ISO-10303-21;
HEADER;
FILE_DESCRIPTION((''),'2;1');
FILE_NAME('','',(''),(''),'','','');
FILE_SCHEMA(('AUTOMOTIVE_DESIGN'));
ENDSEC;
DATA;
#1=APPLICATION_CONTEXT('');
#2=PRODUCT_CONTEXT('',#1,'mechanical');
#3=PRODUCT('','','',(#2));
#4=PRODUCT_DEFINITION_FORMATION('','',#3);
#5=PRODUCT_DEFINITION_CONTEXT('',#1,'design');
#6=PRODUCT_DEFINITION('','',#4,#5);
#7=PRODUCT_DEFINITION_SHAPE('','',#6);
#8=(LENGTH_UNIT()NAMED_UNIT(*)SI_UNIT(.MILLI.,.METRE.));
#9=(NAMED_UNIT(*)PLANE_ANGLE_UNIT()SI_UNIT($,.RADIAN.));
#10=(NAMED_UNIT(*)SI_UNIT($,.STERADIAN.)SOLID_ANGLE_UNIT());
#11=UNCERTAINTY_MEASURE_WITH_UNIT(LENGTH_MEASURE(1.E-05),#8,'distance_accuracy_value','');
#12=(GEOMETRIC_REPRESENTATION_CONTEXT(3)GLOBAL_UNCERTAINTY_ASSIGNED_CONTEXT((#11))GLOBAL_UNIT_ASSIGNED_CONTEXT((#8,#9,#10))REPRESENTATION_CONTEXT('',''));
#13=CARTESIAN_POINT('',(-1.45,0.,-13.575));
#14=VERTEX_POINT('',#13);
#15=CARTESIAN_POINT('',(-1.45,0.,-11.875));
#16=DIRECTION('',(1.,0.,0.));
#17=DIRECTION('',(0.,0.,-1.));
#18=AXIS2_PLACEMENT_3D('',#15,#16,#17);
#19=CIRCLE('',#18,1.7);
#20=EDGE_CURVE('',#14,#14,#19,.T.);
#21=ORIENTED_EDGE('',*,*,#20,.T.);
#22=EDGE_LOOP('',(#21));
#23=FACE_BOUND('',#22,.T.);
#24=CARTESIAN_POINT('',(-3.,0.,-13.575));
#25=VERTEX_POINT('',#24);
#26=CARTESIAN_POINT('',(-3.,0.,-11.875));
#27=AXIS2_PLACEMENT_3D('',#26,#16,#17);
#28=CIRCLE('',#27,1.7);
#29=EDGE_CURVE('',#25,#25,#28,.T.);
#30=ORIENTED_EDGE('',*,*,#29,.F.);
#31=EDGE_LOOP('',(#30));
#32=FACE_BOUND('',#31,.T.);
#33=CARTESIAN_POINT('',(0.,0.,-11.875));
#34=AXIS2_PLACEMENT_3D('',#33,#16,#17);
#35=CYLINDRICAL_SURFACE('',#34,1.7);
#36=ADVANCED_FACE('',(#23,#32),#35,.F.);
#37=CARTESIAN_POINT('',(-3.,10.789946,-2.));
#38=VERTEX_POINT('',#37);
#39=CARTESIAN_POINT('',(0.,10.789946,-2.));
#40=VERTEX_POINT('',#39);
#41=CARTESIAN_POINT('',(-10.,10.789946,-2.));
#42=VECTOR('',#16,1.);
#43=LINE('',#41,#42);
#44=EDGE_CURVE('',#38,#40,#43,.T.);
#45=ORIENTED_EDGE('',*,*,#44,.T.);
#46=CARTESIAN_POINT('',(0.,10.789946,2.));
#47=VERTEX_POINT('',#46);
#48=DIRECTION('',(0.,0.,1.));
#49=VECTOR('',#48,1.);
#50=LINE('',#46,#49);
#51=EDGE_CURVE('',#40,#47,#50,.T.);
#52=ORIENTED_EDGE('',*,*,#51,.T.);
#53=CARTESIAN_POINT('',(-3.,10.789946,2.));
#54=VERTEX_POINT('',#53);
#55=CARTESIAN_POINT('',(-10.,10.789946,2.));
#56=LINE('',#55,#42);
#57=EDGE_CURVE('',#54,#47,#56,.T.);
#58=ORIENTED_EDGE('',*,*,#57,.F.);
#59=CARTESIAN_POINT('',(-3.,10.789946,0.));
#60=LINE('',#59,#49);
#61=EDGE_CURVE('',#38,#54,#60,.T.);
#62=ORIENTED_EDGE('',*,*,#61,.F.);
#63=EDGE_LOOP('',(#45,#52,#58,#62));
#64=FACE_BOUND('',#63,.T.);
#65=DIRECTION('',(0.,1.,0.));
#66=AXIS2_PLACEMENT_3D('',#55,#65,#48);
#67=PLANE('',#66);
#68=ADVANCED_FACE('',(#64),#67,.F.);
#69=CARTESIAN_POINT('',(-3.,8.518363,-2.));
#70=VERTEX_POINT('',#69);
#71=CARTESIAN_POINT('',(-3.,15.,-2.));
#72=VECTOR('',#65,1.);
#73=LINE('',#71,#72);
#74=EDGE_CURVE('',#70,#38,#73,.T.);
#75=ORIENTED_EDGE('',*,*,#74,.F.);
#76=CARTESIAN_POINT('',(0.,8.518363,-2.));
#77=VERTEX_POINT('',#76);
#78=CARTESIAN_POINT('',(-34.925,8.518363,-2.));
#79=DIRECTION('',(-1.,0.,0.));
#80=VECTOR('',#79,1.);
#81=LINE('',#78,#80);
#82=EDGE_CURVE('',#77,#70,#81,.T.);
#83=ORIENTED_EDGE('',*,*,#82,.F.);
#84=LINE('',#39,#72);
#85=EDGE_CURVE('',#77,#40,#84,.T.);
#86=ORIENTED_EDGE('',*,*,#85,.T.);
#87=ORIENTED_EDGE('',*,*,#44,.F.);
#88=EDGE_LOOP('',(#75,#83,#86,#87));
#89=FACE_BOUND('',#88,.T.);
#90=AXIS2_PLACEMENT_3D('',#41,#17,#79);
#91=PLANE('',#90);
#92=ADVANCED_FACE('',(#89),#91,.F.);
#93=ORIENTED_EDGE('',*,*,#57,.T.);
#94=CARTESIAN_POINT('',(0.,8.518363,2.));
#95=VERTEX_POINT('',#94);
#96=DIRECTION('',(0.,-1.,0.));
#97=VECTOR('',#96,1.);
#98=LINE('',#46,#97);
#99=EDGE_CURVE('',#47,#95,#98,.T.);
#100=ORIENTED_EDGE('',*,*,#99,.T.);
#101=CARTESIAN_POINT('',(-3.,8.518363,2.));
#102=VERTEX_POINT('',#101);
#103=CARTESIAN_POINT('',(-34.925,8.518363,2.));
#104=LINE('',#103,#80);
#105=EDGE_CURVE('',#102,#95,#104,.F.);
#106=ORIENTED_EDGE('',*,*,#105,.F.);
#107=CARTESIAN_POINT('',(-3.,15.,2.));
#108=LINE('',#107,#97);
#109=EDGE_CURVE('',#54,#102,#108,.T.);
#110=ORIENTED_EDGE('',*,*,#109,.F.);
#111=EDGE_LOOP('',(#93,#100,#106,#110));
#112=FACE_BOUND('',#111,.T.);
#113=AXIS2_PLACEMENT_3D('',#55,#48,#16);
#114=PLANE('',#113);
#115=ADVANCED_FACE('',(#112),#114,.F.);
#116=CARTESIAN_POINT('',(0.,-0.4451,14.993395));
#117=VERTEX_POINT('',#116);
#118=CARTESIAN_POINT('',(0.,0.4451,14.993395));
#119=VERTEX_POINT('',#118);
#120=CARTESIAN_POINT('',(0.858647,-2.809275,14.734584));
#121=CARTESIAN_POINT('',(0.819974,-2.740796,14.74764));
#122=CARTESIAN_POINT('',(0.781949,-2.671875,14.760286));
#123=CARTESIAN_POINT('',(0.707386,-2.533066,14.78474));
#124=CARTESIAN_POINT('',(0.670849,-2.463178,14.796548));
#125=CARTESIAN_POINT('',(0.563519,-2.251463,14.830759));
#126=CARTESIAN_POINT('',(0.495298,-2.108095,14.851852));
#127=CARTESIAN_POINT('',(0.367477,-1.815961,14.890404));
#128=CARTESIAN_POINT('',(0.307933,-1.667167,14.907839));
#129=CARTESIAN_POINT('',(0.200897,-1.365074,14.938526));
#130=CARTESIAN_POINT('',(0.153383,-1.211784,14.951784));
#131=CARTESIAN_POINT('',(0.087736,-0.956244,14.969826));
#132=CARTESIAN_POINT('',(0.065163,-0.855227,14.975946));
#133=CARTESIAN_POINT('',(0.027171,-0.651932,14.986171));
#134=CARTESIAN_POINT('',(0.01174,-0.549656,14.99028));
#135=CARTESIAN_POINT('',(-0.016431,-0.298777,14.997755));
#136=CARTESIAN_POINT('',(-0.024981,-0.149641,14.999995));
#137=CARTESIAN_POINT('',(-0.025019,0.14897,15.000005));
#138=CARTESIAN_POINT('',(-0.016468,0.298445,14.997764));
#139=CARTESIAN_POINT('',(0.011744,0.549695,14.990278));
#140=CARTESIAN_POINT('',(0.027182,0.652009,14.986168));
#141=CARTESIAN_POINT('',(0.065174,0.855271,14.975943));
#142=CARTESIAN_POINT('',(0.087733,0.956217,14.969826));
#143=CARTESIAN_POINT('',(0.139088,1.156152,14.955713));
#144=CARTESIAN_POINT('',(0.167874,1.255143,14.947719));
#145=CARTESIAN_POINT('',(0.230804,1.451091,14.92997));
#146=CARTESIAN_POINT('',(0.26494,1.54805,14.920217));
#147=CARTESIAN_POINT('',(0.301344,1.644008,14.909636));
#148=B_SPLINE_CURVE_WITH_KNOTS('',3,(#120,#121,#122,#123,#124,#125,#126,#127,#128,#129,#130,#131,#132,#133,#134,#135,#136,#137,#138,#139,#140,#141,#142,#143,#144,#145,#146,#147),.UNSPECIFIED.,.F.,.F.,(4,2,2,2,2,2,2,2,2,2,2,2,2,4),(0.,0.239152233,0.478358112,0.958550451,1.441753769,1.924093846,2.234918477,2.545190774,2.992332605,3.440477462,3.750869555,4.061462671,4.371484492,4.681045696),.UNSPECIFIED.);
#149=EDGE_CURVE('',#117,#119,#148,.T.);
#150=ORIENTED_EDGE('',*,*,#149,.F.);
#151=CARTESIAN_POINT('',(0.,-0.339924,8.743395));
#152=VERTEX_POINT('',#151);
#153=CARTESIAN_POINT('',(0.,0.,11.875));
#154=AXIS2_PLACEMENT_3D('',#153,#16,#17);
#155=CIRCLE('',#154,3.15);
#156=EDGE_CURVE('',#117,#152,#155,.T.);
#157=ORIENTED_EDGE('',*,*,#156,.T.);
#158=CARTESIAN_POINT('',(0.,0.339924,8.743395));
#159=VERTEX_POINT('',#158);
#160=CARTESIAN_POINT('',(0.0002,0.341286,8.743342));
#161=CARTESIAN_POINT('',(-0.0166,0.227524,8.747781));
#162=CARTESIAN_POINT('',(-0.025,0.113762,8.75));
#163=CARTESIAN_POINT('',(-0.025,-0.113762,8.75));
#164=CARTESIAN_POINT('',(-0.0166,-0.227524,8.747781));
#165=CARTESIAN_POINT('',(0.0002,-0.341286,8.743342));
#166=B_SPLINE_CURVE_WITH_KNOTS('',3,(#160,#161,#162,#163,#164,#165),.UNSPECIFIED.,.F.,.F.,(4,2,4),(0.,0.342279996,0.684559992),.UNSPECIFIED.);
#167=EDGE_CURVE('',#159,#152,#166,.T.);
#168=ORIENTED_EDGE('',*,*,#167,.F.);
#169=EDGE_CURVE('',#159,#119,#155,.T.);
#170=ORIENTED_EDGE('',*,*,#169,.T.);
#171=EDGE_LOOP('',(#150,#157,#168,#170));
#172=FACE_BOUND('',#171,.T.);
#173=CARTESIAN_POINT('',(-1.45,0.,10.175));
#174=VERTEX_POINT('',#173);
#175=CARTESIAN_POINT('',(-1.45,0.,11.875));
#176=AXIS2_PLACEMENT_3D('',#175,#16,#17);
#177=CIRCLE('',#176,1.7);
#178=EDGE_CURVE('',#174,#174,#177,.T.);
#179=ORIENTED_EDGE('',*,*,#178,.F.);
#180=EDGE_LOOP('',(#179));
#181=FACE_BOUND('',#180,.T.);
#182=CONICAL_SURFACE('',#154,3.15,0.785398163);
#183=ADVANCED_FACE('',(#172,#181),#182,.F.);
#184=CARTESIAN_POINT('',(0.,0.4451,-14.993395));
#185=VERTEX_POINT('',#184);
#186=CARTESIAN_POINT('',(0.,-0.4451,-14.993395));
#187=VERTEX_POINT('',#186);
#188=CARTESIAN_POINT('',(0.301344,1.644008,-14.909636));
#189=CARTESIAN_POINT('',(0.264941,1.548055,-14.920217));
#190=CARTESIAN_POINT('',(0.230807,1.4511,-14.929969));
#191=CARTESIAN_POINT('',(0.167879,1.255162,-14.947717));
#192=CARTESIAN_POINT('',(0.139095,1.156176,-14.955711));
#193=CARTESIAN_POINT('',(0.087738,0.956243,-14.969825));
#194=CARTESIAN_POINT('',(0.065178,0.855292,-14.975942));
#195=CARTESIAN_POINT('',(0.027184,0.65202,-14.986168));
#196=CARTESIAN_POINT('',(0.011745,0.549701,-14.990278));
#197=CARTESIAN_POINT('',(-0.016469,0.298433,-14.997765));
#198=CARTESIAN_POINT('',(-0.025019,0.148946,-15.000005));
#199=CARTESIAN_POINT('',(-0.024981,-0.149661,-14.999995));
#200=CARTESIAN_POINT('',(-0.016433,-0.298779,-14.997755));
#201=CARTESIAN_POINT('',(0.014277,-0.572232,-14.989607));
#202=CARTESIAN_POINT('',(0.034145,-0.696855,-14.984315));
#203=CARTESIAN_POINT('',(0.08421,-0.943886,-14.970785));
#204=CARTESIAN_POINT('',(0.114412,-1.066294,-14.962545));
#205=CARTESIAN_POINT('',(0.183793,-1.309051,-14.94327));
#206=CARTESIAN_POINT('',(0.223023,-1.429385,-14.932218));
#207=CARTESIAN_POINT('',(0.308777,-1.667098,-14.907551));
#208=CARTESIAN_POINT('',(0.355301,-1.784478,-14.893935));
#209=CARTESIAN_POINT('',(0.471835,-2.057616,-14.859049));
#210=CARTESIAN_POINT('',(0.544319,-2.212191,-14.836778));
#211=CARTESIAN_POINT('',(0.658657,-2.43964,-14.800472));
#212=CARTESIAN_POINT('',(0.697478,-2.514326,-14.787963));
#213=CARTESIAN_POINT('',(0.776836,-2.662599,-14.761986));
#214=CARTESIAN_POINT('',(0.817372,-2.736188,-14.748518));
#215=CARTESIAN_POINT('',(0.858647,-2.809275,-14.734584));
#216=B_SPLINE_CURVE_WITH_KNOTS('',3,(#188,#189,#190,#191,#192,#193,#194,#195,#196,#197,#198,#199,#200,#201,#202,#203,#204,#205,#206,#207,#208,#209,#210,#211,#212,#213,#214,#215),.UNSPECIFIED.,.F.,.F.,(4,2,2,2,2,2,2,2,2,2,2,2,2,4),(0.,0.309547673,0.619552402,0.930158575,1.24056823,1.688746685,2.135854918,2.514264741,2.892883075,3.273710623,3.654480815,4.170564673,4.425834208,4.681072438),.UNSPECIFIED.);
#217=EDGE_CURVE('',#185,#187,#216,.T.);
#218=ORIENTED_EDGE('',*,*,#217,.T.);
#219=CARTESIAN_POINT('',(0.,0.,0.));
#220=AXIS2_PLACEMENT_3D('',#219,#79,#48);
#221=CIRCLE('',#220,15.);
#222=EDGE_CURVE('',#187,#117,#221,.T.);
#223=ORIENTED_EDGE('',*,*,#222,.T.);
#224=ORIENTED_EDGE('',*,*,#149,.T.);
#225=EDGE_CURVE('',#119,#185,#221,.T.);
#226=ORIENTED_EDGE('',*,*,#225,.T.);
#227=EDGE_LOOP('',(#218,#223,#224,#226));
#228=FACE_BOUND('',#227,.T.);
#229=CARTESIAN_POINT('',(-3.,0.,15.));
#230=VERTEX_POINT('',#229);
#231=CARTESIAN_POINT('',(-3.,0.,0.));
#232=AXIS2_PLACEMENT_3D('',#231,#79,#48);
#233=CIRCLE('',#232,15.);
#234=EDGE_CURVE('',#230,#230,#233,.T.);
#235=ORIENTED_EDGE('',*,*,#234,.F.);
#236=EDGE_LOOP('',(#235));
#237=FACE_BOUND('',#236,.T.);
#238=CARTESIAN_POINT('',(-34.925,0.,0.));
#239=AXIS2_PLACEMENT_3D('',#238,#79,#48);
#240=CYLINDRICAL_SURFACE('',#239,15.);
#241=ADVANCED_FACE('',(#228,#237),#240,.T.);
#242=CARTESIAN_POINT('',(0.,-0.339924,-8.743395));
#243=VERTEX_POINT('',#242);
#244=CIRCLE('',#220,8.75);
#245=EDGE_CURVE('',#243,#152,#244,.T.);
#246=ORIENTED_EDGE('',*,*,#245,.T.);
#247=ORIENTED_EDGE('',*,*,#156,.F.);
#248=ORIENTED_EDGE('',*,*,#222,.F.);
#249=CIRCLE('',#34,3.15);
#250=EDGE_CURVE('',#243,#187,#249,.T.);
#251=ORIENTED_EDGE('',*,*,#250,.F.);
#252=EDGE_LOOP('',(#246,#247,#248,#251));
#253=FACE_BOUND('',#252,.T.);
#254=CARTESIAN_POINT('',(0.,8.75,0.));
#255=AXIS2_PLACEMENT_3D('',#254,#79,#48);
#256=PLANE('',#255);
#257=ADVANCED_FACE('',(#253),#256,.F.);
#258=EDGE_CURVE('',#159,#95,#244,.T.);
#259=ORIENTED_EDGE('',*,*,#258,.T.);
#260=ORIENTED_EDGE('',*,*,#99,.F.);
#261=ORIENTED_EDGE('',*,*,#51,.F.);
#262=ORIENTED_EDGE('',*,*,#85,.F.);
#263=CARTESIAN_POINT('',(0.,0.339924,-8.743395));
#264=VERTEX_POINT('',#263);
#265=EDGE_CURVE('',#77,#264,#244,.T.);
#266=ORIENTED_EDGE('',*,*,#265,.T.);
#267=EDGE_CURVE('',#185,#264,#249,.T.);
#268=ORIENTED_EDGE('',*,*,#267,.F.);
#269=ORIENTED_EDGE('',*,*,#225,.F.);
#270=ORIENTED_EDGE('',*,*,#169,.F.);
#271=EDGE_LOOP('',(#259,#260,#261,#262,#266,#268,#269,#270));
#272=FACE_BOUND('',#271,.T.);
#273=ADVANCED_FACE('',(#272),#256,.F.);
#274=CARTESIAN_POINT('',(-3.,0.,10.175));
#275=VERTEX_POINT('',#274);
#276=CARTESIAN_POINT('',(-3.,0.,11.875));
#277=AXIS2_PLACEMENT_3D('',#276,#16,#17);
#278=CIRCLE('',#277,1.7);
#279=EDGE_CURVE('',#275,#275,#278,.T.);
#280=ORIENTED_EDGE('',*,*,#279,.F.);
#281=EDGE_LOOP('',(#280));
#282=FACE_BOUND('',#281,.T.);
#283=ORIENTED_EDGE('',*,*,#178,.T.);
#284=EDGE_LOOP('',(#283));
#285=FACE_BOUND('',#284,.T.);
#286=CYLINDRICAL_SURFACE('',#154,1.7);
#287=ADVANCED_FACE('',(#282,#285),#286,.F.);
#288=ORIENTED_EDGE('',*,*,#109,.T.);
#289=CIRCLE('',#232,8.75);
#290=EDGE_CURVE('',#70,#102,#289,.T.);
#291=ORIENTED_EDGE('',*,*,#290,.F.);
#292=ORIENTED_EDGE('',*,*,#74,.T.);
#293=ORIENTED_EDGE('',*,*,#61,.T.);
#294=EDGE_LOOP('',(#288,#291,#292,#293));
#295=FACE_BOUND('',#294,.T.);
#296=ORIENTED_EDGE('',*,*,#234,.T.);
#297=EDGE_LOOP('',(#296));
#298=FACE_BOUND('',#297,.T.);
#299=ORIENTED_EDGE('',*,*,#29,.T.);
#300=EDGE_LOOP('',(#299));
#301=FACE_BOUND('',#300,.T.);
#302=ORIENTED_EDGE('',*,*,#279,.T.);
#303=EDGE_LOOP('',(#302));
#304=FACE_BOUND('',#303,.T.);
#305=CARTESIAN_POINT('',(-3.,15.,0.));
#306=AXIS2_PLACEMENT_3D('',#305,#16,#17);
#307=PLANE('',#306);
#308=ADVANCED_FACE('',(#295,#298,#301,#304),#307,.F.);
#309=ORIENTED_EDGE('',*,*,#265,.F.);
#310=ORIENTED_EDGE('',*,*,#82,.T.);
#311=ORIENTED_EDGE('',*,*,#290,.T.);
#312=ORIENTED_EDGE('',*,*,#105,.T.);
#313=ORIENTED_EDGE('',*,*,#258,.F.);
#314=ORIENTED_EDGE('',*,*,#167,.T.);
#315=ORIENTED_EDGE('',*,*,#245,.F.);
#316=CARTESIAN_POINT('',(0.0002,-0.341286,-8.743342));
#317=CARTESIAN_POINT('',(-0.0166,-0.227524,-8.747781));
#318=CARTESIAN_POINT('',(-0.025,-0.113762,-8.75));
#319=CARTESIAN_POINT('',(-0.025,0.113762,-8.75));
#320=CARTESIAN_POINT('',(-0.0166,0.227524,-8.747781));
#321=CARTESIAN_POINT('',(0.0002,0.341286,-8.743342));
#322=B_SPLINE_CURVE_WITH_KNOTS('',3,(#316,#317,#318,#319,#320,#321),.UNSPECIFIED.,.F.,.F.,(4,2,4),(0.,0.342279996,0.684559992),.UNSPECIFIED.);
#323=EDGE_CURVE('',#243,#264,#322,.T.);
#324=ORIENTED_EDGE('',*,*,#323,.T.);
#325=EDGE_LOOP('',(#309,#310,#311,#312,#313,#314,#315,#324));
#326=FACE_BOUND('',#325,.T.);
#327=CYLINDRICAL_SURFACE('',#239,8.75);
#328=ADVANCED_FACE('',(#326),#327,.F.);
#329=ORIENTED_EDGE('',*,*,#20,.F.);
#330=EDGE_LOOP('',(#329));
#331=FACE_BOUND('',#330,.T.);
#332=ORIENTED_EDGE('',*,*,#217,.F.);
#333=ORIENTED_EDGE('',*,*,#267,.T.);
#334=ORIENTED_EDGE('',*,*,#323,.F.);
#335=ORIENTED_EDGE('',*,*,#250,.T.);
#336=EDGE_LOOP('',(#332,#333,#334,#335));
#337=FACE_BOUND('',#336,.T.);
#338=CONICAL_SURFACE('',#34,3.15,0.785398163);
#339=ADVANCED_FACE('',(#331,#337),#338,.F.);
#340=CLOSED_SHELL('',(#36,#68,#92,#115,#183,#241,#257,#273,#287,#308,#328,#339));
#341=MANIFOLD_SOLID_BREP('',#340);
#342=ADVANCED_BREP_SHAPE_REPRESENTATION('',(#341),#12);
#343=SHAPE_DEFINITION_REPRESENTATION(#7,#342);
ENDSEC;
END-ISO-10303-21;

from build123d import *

# Parameters (mm, degrees)
SKETCH1_W                                           = 3
SKETCH1_H                                           = 6.25
SKETCH2_R                                           = 1.5
SKETCH2_W                                           = 4
SKETCH2_H                                           = 4
CUT_EXTRUDE1_DEPTH                                  = 10
CSK_FOR_M3_COUNTERSUNK_FLAT_HEAD_SCREW1_D           = 3.4
CSK_FOR_M3_COUNTERSUNK_FLAT_HEAD_SCREW1_DEPTH       = 20.003
CSK_FOR_M3_COUNTERSUNK_FLAT_HEAD_SCREW1_CSINK_D     = 6.3
CSK_FOR_M3_COUNTERSUNK_FLAT_HEAD_SCREW1_CSINK_ANGLE = 90
CSK_FOR_M3_COUNTERSUNK_FLAT_HEAD_SCREW1_TIP         = 1.021463052


with BuildPart() as part:
    # Sketch1 → Base-Revolve (revolve)
    with BuildSketch(Plane.XY, mode=Mode.PRIVATE) as base_revolve_sk:
        with Locations((-1.5, 11.875)):
            Rectangle(SKETCH1_W, SKETCH1_H)
    revolve(base_revolve_sk.sketch.rotate(Axis((-34.925, 0, 0), (1, 0, 0)), 90), axis=Axis((-34.925, 0, 0), (1, 0, 0)))

    # Sketch2 → Cut-Extrude1 (cut)
    with BuildSketch(Plane(origin=(0, 0, 0), x_dir=(0, 0, -1), z_dir=(1, 0, 0))):
        with Locations((-11.875, 0)):
            Circle(SKETCH2_R)
        with Locations((11.875, 0)):
            Circle(SKETCH2_R)
        with Locations((0, 8.789946371)):
            Rectangle(SKETCH2_W, SKETCH2_H)
    extrude(amount=-CUT_EXTRUDE1_DEPTH, mode=Mode.SUBTRACT)

    # CSK for M3 Countersunk Flat Head Screw1
    with Locations(Plane(origin=(0, 0, 0), x_dir=(0, 0, -1), z_dir=(1, 0, 0))):
        with Locations((-11.875, 0), (11.875, 0)):
            CounterSinkHole(CSK_FOR_M3_COUNTERSUNK_FLAT_HEAD_SCREW1_D / 2, CSK_FOR_M3_COUNTERSUNK_FLAT_HEAD_SCREW1_CSINK_D / 2, depth=CSK_FOR_M3_COUNTERSUNK_FLAT_HEAD_SCREW1_DEPTH, counter_sink_angle=CSK_FOR_M3_COUNTERSUNK_FLAT_HEAD_SCREW1_CSINK_ANGLE)
            with Locations((0, 0, -(CSK_FOR_M3_COUNTERSUNK_FLAT_HEAD_SCREW1_DEPTH + CSK_FOR_M3_COUNTERSUNK_FLAT_HEAD_SCREW1_TIP / 2))):  # 118° drill point
                Cone(0, CSK_FOR_M3_COUNTERSUNK_FLAT_HEAD_SCREW1_D / 2, CSK_FOR_M3_COUNTERSUNK_FLAT_HEAD_SCREW1_TIP, mode=Mode.SUBTRACT)


solid = part.part
